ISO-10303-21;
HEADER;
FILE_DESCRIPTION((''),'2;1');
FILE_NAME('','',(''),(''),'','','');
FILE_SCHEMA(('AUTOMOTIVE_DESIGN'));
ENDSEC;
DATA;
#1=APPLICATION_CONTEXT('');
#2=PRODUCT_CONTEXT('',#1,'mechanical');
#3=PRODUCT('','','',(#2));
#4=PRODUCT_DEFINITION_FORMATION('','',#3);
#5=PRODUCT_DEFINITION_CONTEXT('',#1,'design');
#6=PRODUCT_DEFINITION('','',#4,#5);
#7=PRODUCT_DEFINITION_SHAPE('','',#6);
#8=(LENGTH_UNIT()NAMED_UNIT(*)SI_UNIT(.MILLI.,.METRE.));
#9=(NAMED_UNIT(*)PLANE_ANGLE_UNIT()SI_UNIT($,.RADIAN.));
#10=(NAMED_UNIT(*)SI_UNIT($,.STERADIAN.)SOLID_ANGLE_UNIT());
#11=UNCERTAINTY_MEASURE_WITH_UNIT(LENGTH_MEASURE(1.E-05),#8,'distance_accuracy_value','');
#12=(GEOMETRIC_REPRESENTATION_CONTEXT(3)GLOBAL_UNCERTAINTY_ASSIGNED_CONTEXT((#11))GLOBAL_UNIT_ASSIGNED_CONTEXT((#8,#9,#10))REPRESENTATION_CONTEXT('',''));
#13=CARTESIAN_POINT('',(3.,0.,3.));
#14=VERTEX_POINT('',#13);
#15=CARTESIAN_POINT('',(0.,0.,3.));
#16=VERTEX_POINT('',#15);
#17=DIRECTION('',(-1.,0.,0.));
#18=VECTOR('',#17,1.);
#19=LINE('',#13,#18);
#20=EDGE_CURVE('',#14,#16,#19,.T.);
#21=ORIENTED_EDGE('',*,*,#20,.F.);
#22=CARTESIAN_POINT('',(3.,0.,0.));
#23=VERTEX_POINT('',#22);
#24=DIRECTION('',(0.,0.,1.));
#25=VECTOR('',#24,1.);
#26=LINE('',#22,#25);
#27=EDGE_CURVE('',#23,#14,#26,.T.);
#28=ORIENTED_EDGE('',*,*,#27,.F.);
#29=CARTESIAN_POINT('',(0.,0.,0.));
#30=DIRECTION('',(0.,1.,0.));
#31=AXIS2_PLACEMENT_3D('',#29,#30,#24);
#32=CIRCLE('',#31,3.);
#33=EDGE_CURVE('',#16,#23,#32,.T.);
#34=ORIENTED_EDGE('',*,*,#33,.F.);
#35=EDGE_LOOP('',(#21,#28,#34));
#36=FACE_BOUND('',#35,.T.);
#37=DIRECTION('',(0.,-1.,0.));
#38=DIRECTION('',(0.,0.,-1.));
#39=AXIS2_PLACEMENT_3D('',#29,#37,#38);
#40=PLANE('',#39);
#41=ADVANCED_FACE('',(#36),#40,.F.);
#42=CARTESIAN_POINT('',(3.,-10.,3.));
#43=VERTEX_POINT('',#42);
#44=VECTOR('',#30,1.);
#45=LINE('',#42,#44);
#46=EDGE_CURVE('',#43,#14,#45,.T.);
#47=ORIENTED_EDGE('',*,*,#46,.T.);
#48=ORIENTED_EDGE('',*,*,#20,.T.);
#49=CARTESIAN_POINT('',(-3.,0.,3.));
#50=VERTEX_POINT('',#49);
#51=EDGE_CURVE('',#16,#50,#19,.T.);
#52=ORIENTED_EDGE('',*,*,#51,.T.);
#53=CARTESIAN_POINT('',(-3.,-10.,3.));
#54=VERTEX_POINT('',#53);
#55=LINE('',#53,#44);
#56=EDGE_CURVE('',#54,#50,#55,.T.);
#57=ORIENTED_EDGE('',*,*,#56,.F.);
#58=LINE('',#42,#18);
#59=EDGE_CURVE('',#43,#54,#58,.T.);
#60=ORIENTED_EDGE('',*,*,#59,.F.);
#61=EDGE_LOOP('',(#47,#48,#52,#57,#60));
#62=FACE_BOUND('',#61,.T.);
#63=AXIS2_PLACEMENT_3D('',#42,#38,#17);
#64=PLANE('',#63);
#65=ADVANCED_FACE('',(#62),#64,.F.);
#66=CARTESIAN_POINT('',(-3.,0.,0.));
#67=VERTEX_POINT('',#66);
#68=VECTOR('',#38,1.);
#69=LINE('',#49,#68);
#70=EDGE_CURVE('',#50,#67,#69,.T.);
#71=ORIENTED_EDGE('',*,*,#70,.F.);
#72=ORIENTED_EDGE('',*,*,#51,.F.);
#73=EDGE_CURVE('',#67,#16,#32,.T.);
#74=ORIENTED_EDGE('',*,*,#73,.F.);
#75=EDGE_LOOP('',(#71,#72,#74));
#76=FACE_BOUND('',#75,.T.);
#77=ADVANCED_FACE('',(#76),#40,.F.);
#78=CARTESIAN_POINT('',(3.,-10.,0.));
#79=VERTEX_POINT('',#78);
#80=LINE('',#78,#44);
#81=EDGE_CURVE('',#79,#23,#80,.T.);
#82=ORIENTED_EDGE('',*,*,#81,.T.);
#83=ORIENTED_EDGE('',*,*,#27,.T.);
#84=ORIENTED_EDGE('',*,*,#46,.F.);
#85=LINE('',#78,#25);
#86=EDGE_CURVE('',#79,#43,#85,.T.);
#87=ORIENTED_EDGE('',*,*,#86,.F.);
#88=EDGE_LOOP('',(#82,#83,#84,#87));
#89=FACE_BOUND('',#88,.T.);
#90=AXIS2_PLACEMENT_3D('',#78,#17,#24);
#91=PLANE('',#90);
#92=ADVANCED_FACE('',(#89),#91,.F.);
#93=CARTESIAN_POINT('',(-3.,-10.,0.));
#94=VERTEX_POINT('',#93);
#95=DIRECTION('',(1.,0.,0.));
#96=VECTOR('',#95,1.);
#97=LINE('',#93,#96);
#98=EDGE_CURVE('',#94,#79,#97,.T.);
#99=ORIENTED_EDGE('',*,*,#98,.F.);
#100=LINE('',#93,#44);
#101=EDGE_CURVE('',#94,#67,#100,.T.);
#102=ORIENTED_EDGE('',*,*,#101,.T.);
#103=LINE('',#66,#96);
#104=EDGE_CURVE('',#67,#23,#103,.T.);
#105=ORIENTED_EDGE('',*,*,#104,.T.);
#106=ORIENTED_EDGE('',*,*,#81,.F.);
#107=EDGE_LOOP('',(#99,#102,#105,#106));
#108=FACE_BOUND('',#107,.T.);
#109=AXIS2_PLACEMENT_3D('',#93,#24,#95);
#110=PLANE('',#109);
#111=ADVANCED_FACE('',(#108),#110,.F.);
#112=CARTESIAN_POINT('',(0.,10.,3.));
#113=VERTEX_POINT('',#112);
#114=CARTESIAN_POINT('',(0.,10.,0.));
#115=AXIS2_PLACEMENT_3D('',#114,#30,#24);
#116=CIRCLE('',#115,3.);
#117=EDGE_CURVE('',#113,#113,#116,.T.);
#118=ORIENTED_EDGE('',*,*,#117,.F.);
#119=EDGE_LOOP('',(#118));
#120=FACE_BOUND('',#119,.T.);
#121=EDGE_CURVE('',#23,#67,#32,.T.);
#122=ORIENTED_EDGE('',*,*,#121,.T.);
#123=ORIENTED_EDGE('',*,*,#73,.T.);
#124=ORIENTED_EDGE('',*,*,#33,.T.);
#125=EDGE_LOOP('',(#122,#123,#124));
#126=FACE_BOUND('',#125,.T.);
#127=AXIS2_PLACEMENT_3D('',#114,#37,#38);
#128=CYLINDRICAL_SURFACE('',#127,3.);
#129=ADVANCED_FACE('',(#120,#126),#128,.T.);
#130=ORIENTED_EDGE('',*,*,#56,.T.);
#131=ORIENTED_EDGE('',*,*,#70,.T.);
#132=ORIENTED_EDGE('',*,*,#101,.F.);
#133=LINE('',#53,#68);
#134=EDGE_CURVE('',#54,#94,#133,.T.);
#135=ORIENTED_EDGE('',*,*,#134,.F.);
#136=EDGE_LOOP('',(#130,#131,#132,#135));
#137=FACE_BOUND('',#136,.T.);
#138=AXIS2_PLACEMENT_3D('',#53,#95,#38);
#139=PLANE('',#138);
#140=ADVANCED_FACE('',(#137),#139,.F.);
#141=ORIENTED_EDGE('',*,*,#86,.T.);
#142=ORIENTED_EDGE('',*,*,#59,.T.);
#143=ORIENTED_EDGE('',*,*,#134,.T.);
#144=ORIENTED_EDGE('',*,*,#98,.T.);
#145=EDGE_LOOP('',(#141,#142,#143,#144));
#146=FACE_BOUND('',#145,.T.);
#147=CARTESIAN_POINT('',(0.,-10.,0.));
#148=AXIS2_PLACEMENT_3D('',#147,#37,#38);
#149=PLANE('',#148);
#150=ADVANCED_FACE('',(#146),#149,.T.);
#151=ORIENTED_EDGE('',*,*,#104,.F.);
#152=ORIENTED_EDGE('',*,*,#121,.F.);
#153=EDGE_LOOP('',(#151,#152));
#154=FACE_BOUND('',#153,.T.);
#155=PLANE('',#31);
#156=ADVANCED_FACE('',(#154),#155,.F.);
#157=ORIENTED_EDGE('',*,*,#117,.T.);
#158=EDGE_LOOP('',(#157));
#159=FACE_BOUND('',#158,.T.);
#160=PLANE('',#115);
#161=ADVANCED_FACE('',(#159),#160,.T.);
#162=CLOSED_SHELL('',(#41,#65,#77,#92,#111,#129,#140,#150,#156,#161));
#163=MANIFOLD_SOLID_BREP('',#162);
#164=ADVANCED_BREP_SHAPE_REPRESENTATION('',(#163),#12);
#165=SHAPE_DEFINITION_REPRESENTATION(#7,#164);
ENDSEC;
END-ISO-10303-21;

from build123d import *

# Parameters (mm, degrees)
ESBO_O1_R                = 3
RESSALTO_EXTRUS_O1_DEPTH = 10
ESBO_O2_W                = 6
ESBO_O2_H                = 3
RESSALTO_EXTRUS_O2_DEPTH = 10


with BuildPart() as part:
    # Esboço1 → Ressalto-extrusão1 (new body)
    with BuildSketch(Plane(origin=(0, 0, 0), x_dir=(1, 0, 0), z_dir=(0, 1, 0))):
        Circle(ESBO_O1_R)
    extrude(amount=RESSALTO_EXTRUS_O1_DEPTH)

    # Esboço2 → Ressalto-extrusão2 (add)
    with BuildSketch(Plane.XZ):
        with Locations((0, 1.5)):
            Rectangle(ESBO_O2_W, ESBO_O2_H)
    extrude(amount=RESSALTO_EXTRUS_O2_DEPTH)


solid = part.part
